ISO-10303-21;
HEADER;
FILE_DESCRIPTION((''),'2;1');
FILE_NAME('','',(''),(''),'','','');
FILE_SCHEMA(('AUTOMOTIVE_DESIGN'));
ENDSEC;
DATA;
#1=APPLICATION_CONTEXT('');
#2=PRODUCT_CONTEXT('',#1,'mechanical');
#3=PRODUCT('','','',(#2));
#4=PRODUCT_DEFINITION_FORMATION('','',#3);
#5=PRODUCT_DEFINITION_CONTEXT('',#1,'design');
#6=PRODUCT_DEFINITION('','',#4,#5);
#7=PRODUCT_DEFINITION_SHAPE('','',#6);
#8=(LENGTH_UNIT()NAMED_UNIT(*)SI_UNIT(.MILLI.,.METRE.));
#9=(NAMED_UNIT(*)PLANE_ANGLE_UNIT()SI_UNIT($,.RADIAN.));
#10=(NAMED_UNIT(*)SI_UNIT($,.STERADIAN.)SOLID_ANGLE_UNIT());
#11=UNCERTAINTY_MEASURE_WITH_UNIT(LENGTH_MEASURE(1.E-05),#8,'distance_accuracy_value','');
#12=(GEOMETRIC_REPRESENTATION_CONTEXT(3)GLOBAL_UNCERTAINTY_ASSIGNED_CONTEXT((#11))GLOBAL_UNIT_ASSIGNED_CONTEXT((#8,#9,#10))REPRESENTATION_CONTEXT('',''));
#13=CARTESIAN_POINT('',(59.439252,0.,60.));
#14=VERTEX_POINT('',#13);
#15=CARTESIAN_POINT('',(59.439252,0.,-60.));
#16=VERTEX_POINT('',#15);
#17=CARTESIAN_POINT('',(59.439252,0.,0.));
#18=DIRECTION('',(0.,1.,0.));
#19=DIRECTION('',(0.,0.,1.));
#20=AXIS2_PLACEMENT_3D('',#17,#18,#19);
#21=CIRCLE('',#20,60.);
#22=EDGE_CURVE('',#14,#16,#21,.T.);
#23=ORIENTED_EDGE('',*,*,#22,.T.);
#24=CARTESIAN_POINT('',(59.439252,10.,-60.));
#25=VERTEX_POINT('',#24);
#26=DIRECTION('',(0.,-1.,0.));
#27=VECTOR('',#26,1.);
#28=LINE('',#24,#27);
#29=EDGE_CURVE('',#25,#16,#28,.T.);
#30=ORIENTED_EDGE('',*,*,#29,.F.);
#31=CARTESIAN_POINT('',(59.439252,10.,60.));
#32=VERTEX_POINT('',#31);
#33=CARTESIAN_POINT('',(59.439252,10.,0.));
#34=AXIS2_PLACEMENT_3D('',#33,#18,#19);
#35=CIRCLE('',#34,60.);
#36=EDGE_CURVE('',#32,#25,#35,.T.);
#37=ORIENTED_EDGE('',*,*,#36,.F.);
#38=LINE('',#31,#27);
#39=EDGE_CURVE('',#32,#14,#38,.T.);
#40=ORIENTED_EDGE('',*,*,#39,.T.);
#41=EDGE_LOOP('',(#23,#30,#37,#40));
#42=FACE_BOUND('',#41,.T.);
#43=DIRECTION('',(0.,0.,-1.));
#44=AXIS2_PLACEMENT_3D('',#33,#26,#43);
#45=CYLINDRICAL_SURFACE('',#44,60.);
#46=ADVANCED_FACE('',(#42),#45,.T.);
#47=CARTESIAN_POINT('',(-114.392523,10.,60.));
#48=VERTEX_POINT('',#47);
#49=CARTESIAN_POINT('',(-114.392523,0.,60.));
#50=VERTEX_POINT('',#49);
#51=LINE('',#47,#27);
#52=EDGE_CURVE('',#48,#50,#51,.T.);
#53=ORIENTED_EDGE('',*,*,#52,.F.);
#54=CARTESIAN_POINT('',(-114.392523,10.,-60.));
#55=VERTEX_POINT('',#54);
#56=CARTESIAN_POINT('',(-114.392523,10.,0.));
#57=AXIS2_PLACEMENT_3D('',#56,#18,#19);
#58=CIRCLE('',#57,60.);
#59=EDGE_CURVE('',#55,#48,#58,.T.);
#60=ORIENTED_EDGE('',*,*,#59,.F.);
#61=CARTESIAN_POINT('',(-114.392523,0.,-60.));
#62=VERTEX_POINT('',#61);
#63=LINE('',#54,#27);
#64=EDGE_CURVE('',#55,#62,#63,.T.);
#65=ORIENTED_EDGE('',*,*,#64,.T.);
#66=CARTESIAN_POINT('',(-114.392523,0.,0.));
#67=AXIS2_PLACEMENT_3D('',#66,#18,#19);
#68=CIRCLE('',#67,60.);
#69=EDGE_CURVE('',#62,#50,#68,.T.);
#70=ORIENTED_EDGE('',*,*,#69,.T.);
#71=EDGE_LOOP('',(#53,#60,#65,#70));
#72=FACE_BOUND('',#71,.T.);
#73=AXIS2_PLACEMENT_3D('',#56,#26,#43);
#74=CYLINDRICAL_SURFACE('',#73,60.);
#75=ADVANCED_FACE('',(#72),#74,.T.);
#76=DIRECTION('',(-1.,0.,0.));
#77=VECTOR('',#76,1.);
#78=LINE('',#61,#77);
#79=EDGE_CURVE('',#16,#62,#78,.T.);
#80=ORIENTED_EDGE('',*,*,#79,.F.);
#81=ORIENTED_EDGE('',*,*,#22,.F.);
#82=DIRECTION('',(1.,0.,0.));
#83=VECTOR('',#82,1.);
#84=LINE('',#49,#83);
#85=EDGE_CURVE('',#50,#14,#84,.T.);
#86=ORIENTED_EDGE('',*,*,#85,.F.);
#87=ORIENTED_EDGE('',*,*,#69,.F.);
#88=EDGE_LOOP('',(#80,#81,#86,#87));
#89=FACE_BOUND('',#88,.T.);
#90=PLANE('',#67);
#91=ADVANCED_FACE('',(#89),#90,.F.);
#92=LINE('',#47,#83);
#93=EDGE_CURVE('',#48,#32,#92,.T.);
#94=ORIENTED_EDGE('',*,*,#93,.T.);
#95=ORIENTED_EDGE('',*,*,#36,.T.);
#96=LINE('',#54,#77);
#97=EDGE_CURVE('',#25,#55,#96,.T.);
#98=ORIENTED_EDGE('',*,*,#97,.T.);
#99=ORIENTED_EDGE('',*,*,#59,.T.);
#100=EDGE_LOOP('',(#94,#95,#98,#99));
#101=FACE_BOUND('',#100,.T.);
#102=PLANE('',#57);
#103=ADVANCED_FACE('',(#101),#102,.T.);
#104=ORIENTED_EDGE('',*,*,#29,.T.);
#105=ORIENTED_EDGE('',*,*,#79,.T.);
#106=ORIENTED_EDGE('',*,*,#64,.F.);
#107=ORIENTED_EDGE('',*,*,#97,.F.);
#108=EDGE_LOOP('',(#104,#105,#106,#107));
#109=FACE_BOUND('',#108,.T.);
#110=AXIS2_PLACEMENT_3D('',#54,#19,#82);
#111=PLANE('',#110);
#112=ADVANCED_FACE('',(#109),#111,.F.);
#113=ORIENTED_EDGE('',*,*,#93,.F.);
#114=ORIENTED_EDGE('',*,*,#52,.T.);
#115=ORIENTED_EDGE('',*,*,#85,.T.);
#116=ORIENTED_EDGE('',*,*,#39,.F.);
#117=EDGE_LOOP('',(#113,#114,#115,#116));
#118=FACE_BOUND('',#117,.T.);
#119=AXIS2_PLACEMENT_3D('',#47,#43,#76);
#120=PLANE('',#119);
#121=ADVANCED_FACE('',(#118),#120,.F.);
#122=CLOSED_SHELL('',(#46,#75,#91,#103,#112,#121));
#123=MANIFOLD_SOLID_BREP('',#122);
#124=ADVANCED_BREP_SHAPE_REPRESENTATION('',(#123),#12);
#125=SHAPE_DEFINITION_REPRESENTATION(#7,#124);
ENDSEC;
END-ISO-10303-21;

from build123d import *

# Parameters (mm, degrees)
BOSS_EXTRUDE2_DEPTH = 10


with BuildPart() as part:
    # Sketch2 → Boss-Extrude2 (new body)
    with BuildSketch(Plane(origin=(0, 0, 0), x_dir=(1, 0, 0), z_dir=(0, 1, 0))):
        with BuildLine():
            Line((-114.392523364, 60), (59.439252336, 60))
            ThreePointArc((59.439252336, 60), (119.439252336, 0), (59.439252336, -60))
            Line((59.439252336, -60), (-114.392523364, -60))
            ThreePointArc((-114.392523364, -60), (-174.392523364, 0), (-114.392523364, 60))
        make_face()
    extrude(amount=BOSS_EXTRUDE2_DEPTH)


solid = part.part
